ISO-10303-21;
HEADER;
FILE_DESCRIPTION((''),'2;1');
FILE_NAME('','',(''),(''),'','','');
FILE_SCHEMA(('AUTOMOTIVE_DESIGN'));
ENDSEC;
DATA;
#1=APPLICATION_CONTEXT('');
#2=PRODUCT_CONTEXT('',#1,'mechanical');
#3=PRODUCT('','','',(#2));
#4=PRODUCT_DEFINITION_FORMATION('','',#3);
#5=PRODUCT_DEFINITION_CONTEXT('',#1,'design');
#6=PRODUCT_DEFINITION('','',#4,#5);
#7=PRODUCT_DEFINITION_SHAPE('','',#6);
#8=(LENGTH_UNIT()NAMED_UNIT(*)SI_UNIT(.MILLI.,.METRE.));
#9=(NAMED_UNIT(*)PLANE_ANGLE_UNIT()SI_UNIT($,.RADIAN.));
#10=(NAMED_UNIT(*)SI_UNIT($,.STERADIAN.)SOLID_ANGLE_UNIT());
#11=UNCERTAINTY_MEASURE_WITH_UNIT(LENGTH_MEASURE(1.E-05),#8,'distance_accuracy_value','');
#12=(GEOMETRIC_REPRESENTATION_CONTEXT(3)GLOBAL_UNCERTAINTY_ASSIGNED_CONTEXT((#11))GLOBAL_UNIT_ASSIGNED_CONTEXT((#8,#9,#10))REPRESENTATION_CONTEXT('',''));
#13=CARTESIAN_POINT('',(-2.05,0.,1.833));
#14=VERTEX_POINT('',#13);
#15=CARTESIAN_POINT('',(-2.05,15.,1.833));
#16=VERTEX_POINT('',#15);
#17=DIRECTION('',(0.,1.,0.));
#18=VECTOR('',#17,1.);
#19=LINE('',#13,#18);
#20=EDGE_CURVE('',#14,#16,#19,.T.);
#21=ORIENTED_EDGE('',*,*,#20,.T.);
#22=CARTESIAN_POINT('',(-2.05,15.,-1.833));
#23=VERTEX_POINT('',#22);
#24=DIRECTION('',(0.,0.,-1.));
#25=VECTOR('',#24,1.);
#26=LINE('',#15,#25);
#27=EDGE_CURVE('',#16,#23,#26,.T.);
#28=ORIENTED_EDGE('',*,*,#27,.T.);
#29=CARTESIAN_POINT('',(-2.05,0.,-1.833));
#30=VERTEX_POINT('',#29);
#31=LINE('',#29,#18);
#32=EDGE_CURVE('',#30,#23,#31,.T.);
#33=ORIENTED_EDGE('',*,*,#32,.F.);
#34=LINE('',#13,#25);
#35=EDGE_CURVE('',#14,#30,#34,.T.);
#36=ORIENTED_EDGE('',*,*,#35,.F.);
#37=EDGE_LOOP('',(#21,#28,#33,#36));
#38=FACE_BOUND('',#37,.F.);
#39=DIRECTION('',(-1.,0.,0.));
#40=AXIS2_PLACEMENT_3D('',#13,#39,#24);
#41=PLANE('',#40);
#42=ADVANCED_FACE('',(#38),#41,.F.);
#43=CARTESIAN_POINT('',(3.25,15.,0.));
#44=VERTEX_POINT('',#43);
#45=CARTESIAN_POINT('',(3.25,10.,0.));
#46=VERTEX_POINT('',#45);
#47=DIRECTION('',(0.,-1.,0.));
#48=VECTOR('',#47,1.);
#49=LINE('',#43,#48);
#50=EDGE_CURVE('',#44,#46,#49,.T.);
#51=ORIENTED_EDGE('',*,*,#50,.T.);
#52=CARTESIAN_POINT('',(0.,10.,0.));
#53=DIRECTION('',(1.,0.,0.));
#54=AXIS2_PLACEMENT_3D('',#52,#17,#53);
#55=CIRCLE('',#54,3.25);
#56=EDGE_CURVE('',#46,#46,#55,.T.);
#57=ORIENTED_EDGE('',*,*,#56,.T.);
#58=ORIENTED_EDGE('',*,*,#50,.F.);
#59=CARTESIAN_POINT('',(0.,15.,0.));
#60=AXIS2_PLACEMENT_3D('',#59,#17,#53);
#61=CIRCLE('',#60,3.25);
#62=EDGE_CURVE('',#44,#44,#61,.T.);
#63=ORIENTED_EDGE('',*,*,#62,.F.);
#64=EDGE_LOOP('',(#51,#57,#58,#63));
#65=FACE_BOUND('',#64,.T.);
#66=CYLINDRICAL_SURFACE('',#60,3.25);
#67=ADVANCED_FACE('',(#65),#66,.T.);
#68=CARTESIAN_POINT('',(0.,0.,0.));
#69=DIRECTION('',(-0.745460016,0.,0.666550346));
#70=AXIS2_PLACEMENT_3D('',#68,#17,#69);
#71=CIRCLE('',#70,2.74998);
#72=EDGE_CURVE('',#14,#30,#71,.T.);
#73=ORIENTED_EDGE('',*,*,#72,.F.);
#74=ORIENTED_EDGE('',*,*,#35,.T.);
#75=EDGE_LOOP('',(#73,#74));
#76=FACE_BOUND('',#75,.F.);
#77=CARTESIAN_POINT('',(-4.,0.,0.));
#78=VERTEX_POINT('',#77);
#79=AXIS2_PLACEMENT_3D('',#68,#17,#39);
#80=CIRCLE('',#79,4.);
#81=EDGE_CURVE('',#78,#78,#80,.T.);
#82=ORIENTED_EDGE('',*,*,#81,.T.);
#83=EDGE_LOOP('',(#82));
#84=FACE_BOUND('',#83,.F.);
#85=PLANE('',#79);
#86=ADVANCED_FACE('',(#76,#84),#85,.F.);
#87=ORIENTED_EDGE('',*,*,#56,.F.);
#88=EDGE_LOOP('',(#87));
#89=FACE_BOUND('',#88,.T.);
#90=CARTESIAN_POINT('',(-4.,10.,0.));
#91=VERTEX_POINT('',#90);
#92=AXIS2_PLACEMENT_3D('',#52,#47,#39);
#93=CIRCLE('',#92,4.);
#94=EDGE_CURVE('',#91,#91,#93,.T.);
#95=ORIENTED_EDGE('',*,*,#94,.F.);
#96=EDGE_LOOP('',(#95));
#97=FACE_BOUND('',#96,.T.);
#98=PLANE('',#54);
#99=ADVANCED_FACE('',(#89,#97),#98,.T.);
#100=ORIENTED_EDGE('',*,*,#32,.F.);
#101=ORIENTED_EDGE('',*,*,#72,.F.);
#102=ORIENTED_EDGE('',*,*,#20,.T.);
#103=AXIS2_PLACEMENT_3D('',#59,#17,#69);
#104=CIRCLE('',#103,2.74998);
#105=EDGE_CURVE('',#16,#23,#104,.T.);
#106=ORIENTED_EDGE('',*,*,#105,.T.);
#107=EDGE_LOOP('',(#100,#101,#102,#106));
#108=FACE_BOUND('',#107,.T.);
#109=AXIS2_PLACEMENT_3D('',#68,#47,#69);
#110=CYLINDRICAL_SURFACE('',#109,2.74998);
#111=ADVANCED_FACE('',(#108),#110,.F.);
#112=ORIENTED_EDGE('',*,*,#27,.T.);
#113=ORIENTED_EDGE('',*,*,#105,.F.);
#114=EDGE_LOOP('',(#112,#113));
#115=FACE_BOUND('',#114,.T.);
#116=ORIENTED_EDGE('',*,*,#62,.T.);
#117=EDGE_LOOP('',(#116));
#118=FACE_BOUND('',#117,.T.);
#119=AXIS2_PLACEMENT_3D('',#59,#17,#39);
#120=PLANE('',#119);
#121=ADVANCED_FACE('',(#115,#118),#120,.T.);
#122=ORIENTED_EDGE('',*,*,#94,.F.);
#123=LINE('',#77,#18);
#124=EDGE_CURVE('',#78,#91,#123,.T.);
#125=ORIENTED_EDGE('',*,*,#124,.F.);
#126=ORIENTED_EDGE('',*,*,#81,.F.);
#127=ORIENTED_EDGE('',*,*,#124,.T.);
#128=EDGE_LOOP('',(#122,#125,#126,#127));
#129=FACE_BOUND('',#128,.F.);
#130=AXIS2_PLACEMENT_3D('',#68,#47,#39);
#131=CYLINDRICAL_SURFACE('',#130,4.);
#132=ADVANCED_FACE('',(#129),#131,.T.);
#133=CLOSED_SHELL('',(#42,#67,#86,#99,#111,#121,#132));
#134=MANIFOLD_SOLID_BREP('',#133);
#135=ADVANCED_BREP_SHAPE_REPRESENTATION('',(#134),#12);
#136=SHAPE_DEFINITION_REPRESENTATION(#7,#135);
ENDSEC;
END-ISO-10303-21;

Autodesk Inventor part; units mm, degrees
ref_plane "YZ Plane" through (0, 0, 0) normal (1, 0, 0) x (0, 1, 0)
ref_plane "XZ Plane" through (0, 0, 0) normal (0, 1, 0) x (-1, 0, 0)
ref_plane "XY Plane" through (0, 0, 0) normal (0, 0, 1) x (1, 0, 0)
sketch "Sketch1" plane through (0, 0, 0) normal (0, 1, 0) x (-1, 0, 0)
  arc A0 (2.05, 1.833) -> (2.05, -1.833) centre (0, 0) ccw
  line L0 (-2.75, 2.2253) -> (-2.75, -2.0609)
  circle A1 centre (0, 0) radius 4
  line L1 (2.05, 1.833) -> (2.05, -1.833)
  dimension "d0" = 5.5
  dimension "d3" = 8
  dimension "d4" = 4.8
extrude "Extrusion1" add sketch "Sketch1" along normal blind 15
sketch "Sketch2" plane through (0, 15, 0) normal (0, 1, 0) x (1, 0, 0)
  circle A0 centre (0, 0) radius 3.25
  circle A1 centre (0, 0) radius 4 projected
  dimension "d7" = 6.5
extrude "Extrusion2" cut sketch "Sketch2" against normal blind 5
properties part number "5.5x4.8"
